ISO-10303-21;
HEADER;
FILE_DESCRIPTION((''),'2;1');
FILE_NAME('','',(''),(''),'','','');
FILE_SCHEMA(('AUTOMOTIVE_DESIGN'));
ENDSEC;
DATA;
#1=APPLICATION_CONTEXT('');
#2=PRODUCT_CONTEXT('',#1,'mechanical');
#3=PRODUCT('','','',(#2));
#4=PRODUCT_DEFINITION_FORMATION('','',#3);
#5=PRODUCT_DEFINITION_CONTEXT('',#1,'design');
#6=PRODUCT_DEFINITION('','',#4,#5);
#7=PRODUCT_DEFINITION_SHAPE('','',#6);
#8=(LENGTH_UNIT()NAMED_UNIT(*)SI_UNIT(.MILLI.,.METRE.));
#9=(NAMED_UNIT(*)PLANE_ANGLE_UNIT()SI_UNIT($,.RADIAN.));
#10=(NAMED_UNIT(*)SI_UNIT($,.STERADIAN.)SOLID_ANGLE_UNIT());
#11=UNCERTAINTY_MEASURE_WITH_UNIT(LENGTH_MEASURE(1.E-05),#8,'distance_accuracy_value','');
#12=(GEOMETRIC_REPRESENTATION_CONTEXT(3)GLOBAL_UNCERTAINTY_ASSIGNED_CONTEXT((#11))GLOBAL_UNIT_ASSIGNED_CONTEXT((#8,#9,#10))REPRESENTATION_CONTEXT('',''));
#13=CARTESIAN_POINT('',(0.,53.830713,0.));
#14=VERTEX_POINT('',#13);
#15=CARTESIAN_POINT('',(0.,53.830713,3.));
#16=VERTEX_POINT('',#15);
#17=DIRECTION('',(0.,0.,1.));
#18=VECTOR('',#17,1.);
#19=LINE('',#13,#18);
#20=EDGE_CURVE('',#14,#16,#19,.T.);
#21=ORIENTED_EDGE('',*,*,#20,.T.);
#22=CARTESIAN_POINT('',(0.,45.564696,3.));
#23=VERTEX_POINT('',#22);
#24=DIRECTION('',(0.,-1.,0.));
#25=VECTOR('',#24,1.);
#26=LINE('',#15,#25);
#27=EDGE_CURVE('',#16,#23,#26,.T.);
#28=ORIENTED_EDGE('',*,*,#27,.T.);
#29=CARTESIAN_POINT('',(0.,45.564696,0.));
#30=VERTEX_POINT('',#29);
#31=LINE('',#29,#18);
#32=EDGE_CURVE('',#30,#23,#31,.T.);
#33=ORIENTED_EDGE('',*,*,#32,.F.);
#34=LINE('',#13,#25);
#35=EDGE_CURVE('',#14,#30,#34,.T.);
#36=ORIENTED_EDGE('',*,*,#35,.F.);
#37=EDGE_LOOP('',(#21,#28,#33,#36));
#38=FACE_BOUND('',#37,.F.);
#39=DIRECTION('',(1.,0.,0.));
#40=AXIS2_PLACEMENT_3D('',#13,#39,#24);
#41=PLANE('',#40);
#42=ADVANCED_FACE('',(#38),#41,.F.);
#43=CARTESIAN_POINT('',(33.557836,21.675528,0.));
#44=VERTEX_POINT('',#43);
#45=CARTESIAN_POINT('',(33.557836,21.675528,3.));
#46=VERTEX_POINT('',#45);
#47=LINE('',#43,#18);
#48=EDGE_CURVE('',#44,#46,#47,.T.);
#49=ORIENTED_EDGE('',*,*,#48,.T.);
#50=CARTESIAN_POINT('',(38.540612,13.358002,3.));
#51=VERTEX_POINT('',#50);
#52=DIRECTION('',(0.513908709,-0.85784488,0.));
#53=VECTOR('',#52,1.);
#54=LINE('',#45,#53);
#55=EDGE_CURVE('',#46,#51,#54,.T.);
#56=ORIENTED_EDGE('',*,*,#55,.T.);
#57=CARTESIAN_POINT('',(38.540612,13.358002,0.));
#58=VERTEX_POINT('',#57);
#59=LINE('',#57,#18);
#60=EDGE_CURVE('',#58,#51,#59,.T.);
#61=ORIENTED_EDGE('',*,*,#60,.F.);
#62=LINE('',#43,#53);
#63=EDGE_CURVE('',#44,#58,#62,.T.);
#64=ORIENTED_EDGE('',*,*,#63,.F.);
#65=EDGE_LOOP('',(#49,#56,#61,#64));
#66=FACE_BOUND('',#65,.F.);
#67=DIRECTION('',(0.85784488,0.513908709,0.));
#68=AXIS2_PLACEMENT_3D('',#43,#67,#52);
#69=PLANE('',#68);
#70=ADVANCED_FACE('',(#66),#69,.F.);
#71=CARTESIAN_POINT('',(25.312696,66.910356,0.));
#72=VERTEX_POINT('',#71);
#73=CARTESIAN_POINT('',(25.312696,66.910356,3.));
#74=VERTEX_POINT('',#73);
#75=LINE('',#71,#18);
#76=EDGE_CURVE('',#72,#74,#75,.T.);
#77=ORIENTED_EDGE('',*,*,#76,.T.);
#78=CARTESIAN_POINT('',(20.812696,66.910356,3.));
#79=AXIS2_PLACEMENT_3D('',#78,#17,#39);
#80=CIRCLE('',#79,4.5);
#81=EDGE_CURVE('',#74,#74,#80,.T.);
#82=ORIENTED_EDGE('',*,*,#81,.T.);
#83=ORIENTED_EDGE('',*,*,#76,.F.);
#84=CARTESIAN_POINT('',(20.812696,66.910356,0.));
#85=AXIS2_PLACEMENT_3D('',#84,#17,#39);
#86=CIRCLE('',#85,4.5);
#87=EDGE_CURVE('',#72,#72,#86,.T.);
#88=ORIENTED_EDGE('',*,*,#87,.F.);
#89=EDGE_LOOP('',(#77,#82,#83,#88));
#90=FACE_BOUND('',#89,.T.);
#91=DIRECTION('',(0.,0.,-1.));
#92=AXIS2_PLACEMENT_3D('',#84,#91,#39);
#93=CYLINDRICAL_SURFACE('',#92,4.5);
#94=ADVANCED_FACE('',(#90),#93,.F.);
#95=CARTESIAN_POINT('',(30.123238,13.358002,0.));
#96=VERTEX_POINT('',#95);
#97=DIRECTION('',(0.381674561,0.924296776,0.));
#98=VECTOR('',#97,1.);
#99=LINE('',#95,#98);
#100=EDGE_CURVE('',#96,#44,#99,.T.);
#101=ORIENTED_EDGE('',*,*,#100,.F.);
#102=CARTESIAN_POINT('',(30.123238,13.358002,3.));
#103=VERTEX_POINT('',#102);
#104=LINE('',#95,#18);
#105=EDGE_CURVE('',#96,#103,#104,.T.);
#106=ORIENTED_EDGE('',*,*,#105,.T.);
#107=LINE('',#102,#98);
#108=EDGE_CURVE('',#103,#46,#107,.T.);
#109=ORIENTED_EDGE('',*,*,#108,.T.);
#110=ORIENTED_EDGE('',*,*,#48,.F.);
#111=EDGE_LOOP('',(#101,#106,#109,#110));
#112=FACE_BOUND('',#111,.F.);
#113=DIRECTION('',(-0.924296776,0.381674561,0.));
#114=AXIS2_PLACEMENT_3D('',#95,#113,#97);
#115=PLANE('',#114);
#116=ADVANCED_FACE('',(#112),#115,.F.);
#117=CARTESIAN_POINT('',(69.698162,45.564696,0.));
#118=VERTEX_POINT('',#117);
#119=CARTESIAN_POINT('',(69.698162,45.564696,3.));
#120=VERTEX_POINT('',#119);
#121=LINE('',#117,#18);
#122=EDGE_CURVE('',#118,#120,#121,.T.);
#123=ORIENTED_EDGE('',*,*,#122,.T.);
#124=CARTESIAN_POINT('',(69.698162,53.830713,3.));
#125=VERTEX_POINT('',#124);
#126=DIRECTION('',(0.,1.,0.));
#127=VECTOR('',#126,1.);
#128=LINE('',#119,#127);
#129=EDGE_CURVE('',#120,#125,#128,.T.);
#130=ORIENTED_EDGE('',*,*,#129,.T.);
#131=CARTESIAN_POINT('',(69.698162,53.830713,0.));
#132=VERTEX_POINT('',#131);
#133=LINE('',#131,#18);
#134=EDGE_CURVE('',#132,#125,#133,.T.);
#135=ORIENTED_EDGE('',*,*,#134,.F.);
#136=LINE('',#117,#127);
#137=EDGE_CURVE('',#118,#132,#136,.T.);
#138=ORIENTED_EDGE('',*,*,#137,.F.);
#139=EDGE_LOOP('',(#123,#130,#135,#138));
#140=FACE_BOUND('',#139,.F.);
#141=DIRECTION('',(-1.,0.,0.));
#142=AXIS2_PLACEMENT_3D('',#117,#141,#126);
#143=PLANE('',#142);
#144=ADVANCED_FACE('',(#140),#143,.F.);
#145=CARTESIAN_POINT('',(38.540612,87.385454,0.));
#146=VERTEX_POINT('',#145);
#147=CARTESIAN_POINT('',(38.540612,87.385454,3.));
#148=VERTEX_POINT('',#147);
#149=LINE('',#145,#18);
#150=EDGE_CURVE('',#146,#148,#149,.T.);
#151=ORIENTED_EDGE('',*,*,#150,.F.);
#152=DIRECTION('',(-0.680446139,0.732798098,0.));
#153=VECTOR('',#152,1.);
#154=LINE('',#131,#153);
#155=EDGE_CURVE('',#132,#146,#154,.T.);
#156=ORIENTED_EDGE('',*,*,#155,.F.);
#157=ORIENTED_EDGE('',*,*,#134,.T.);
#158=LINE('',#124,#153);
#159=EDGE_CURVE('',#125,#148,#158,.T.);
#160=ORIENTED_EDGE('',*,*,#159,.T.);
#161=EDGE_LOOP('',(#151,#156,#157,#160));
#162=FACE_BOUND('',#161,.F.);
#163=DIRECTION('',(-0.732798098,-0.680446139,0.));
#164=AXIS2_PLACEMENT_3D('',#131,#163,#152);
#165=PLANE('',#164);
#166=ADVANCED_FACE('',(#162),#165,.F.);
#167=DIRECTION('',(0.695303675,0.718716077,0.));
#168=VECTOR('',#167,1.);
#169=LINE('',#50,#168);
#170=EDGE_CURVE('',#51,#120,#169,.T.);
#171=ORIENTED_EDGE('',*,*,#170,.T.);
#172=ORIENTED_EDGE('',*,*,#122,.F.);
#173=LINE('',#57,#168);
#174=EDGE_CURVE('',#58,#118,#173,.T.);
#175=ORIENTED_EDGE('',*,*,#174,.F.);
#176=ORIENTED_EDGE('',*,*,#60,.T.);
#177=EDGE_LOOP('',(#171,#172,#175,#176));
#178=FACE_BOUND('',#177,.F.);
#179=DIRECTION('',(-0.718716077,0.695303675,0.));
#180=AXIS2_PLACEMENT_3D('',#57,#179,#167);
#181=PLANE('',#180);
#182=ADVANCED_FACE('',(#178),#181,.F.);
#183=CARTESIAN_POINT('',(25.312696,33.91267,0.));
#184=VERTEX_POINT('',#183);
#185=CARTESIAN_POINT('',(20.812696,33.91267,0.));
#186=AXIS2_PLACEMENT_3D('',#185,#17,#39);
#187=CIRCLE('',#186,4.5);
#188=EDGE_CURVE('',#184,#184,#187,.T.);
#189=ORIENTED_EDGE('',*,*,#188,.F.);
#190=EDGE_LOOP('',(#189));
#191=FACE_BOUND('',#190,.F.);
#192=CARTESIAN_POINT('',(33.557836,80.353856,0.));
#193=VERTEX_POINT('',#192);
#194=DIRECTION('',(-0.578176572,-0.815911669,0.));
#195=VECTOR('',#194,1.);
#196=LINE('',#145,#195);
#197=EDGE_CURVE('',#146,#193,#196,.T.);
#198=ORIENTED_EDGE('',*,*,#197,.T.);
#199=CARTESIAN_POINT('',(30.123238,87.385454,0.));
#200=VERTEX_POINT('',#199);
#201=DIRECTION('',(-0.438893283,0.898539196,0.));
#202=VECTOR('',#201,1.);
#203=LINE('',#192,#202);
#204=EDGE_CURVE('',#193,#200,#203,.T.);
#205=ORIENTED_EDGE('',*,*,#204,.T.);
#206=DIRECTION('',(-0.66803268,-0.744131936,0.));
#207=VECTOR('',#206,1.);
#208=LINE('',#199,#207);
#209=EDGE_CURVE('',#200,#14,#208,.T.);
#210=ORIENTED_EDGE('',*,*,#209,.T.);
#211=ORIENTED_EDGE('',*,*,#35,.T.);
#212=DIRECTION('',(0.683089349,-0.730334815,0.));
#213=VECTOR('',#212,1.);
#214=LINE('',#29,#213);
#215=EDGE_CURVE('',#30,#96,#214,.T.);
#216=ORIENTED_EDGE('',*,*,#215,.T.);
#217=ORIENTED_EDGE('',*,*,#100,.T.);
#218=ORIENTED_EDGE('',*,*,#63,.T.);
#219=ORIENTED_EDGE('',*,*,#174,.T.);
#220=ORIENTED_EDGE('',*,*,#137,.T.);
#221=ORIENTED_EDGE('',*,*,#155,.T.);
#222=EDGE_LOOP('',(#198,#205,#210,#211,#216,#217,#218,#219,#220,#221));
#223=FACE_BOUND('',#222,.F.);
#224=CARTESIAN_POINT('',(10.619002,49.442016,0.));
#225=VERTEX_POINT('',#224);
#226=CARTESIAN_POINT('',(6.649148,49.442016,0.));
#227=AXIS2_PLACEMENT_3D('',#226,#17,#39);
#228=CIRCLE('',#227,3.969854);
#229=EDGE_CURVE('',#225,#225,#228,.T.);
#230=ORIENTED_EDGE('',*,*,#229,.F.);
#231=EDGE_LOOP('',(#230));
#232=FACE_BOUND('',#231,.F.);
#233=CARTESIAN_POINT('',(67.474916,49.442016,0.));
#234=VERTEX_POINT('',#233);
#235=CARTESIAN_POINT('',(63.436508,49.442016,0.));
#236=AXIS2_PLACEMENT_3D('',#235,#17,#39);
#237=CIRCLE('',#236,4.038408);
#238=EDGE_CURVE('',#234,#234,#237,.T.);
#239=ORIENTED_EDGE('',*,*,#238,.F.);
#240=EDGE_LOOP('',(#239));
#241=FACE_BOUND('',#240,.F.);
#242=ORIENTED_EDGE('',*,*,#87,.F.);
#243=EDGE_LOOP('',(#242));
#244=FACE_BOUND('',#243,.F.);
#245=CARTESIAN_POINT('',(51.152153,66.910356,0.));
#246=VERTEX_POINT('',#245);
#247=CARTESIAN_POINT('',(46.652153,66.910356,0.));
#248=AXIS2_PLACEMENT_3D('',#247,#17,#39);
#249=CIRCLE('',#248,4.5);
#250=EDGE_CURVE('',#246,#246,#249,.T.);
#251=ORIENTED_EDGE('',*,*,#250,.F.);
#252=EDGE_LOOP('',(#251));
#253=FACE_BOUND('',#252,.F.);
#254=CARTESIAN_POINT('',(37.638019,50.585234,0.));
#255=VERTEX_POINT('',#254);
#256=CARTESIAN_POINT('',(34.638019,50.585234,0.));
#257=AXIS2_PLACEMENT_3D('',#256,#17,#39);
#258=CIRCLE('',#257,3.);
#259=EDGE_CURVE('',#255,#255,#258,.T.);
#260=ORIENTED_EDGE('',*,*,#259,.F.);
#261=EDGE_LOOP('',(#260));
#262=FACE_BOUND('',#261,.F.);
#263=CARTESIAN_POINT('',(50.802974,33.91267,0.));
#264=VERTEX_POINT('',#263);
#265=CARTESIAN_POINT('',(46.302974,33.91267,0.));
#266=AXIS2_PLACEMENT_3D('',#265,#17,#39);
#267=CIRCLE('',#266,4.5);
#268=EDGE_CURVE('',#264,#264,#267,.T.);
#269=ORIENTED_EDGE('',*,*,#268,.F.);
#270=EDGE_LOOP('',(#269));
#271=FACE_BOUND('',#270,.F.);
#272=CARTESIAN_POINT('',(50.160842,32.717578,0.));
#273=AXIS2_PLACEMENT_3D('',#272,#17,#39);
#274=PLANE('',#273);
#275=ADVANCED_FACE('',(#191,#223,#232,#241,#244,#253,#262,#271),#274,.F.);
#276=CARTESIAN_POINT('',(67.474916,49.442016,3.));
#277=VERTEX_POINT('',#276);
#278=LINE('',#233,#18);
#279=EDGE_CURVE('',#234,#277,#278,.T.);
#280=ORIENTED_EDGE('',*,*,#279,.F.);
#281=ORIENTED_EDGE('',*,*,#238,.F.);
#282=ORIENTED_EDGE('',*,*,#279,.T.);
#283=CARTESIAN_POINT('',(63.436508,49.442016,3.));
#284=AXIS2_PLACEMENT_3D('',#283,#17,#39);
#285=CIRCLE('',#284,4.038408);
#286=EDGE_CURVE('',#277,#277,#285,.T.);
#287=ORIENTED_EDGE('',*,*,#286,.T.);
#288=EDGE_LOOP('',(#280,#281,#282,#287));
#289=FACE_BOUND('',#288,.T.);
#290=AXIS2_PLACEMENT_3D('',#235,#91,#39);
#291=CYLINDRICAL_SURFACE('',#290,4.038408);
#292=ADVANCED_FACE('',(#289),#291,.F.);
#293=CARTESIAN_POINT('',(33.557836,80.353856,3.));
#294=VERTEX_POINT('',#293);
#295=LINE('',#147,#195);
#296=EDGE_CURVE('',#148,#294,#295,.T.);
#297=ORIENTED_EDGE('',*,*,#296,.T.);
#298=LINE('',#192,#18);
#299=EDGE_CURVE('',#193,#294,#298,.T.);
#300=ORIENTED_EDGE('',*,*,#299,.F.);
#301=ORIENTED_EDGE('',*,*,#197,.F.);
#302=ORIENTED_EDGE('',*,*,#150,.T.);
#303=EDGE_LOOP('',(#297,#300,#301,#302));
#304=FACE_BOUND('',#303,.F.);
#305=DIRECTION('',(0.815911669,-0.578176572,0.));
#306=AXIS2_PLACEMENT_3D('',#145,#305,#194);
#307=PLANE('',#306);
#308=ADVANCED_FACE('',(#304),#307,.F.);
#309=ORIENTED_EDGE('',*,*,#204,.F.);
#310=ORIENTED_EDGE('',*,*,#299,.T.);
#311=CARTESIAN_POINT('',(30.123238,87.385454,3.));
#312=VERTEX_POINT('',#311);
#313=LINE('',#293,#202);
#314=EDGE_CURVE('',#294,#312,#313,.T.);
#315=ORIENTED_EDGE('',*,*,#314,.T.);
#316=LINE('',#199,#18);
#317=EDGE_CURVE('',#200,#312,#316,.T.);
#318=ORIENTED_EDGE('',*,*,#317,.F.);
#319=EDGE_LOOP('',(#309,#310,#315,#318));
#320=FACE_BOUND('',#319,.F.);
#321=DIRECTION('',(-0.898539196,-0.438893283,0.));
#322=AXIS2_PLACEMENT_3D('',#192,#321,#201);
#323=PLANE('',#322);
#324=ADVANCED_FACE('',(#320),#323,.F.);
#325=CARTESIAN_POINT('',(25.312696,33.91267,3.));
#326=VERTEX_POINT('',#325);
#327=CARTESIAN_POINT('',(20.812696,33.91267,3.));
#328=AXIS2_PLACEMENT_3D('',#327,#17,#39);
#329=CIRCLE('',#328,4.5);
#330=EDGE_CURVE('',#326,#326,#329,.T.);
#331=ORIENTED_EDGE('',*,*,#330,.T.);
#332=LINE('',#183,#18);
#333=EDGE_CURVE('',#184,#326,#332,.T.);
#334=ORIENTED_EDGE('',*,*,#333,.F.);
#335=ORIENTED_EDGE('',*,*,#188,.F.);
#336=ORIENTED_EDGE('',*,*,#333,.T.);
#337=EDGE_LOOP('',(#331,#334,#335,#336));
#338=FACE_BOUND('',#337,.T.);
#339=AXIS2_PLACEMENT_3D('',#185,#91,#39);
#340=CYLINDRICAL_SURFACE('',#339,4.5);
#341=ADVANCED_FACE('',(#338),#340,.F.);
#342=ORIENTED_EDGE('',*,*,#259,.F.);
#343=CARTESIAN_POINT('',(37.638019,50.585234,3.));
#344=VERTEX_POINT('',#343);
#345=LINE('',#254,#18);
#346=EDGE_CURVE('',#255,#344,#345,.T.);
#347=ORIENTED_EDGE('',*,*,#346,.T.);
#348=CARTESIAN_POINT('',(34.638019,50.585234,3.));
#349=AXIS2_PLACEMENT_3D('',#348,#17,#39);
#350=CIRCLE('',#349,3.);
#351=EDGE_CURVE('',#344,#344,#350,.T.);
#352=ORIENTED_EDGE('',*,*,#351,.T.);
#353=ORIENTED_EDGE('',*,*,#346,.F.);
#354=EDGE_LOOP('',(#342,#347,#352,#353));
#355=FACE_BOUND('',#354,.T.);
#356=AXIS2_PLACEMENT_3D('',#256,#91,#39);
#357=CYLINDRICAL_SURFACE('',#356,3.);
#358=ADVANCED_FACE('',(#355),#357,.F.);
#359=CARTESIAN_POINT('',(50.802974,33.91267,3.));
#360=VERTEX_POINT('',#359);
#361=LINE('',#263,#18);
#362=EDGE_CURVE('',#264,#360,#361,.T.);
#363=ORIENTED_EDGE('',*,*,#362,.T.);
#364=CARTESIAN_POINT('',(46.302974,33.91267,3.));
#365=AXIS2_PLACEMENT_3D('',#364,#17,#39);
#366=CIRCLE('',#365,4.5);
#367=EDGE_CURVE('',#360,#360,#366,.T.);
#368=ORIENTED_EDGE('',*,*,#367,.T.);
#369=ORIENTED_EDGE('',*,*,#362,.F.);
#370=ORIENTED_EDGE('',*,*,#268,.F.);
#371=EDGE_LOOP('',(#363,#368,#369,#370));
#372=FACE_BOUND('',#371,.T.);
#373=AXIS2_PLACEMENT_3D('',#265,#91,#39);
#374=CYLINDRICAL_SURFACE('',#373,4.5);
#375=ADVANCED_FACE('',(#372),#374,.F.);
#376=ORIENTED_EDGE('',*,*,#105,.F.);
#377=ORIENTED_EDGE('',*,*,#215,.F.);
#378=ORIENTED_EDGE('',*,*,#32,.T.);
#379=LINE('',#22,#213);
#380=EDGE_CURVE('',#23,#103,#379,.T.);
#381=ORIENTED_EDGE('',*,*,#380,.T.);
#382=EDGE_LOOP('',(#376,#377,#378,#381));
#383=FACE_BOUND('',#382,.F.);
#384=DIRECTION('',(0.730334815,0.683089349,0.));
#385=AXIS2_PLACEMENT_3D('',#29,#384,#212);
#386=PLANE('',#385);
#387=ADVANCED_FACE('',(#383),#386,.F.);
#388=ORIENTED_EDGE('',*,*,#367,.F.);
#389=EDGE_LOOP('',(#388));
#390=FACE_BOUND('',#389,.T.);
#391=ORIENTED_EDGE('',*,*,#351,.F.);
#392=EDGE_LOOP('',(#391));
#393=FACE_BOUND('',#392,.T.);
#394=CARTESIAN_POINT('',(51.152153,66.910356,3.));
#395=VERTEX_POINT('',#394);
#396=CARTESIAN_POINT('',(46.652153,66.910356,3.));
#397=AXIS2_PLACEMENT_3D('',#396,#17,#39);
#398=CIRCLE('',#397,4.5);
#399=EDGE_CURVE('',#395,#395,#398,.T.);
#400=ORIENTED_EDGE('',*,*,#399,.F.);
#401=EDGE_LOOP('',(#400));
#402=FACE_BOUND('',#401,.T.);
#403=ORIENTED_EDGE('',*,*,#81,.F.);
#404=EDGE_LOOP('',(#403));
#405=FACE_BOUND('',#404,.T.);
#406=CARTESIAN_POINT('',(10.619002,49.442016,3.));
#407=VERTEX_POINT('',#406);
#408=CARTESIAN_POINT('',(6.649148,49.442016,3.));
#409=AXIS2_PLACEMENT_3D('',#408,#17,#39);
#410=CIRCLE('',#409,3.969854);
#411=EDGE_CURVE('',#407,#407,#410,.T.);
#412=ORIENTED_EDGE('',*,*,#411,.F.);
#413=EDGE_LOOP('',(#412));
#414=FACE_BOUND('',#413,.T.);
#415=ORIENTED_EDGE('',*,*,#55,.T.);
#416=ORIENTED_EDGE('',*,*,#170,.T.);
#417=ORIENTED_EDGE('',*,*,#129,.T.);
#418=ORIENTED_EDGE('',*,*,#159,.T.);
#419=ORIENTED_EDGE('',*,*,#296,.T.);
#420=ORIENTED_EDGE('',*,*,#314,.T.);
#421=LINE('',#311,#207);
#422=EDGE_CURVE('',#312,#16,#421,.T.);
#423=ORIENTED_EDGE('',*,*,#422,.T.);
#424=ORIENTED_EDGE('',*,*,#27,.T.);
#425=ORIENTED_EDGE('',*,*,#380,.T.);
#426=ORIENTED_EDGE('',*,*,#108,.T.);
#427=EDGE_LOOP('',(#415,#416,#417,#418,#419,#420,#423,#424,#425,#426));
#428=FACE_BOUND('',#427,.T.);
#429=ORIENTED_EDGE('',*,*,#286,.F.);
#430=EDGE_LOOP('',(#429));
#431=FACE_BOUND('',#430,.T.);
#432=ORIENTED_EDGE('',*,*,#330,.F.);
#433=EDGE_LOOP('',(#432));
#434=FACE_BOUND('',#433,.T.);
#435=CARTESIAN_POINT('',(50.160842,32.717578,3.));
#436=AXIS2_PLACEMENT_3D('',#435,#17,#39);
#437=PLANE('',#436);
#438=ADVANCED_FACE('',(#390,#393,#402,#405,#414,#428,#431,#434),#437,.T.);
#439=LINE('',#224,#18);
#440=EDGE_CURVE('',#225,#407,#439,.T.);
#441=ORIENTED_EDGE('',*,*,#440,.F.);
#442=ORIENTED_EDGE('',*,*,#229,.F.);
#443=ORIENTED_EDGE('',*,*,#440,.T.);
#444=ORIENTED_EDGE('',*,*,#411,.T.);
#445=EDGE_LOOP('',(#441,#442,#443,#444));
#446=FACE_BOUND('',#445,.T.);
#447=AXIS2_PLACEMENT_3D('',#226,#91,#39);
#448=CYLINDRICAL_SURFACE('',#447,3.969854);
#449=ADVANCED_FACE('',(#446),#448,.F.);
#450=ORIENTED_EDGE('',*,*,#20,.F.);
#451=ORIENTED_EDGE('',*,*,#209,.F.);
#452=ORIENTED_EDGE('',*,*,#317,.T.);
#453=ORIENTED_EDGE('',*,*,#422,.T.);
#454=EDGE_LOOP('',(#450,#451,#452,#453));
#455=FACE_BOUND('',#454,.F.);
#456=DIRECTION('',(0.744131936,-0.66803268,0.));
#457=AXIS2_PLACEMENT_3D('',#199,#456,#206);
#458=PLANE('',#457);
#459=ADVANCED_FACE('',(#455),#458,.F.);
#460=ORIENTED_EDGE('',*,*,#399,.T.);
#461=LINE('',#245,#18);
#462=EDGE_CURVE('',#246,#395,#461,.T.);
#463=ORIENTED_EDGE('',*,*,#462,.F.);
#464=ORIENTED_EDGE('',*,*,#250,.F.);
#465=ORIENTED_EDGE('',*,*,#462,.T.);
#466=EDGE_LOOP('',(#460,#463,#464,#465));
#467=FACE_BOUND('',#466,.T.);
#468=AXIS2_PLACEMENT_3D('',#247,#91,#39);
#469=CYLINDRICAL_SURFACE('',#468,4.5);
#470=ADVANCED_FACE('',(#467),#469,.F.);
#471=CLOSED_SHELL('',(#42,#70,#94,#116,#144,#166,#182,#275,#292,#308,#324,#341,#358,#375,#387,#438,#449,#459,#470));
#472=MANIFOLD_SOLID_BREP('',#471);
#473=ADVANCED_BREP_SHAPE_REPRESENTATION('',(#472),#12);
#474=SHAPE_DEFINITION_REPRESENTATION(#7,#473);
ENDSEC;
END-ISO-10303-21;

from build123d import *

# Parameters (mm, degrees)
F0_R     = 4.5
F0_R_2   = 3.9698540575
F1_DEPTH = 3
F0_W     = 8.4173739762
F0_H     = 21.1992750527
F0_R_3   = 3
F2_DEPTH = 3
F0_R_4   = 4.0384082605
F3_DEPTH = 3


with BuildPart() as f1:
    # F0 (on Top) → F1 (new body)
    with BuildSketch(Plane.XY):
        Polygon((0, 45.5646959671), (30.1232379104, 13.3580023242), (30.1232379104, 39.4406561247), align=None)
        with Locations((20.812695846, 33.9126698673)):
            Circle(F0_R, mode=Mode.SUBTRACT)
        Polygon((0, 45.5646959671), (30.1232379104, 39.4406561247), (30.1232379104, 60.6399311774), (0, 53.8307130337), align=None)
        with Locations((6.6491481848, 49.4420155883)):
            Circle(F0_R_2, mode=Mode.SUBTRACT)
        Polygon((0, 53.8307130337), (30.1232379104, 60.6399311774), (30.1232379104, 87.3854537311), align=None)
        with Locations((20.812695846, 66.9103562832)):
            Circle(F0_R, mode=Mode.SUBTRACT)
    extrude(amount=F1_DEPTH)

    # F0 (on Top) → F2 (join)
    with BuildSketch(Plane.XY):
        Polygon((30.1232379104, 87.3854537311), (30.1232379104, 60.6399311774), (38.5406118866, 60.6399311774), (38.5406118866, 87.3854537311), (33.5578359663, 80.3538560867), align=None)
        with Locations((34.3319248985, 50.0402936511)):
            Rectangle(F0_W, F0_H)
        with Locations((34.6380185767, 50.585233695)):
            Circle(F0_R_3, mode=Mode.SUBTRACT)
        Polygon((30.1232379104, 39.4406561247), (30.1232379104, 13.3580023242), (33.5578359663, 21.6755278666), (38.5406118866, 13.3580023242), (38.5406118866, 39.4406561247), align=None)
    extrude(amount=F2_DEPTH)

    # F0 (on Top) → F3 (join)
    with BuildSketch(Plane.XY):
        Polygon((38.5406118866, 39.4406561247), (38.5406118866, 13.3580023242), (69.6981623769, 45.5646959671), align=None)
        with Locations((46.3029742241, 33.9126698673)):
            Circle(F0_R, mode=Mode.SUBTRACT)
        Polygon((38.5406118866, 87.3854537311), (38.5406118866, 60.6399311774), (69.6981623769, 53.8307130337), align=None)
        with Locations((46.6521531343, 66.9103562832)):
            Circle(F0_R, mode=Mode.SUBTRACT)
        Polygon((38.5406118866, 60.6399311774), (38.5406118866, 39.4406561247), (69.6981623769, 45.5646959671), (69.6981623769, 53.8307130337), align=None)
        with Locations((63.4365081787, 49.4420155883)):
            Circle(F0_R_4, mode=Mode.SUBTRACT)
    extrude(amount=F3_DEPTH)


solid = f1.part
